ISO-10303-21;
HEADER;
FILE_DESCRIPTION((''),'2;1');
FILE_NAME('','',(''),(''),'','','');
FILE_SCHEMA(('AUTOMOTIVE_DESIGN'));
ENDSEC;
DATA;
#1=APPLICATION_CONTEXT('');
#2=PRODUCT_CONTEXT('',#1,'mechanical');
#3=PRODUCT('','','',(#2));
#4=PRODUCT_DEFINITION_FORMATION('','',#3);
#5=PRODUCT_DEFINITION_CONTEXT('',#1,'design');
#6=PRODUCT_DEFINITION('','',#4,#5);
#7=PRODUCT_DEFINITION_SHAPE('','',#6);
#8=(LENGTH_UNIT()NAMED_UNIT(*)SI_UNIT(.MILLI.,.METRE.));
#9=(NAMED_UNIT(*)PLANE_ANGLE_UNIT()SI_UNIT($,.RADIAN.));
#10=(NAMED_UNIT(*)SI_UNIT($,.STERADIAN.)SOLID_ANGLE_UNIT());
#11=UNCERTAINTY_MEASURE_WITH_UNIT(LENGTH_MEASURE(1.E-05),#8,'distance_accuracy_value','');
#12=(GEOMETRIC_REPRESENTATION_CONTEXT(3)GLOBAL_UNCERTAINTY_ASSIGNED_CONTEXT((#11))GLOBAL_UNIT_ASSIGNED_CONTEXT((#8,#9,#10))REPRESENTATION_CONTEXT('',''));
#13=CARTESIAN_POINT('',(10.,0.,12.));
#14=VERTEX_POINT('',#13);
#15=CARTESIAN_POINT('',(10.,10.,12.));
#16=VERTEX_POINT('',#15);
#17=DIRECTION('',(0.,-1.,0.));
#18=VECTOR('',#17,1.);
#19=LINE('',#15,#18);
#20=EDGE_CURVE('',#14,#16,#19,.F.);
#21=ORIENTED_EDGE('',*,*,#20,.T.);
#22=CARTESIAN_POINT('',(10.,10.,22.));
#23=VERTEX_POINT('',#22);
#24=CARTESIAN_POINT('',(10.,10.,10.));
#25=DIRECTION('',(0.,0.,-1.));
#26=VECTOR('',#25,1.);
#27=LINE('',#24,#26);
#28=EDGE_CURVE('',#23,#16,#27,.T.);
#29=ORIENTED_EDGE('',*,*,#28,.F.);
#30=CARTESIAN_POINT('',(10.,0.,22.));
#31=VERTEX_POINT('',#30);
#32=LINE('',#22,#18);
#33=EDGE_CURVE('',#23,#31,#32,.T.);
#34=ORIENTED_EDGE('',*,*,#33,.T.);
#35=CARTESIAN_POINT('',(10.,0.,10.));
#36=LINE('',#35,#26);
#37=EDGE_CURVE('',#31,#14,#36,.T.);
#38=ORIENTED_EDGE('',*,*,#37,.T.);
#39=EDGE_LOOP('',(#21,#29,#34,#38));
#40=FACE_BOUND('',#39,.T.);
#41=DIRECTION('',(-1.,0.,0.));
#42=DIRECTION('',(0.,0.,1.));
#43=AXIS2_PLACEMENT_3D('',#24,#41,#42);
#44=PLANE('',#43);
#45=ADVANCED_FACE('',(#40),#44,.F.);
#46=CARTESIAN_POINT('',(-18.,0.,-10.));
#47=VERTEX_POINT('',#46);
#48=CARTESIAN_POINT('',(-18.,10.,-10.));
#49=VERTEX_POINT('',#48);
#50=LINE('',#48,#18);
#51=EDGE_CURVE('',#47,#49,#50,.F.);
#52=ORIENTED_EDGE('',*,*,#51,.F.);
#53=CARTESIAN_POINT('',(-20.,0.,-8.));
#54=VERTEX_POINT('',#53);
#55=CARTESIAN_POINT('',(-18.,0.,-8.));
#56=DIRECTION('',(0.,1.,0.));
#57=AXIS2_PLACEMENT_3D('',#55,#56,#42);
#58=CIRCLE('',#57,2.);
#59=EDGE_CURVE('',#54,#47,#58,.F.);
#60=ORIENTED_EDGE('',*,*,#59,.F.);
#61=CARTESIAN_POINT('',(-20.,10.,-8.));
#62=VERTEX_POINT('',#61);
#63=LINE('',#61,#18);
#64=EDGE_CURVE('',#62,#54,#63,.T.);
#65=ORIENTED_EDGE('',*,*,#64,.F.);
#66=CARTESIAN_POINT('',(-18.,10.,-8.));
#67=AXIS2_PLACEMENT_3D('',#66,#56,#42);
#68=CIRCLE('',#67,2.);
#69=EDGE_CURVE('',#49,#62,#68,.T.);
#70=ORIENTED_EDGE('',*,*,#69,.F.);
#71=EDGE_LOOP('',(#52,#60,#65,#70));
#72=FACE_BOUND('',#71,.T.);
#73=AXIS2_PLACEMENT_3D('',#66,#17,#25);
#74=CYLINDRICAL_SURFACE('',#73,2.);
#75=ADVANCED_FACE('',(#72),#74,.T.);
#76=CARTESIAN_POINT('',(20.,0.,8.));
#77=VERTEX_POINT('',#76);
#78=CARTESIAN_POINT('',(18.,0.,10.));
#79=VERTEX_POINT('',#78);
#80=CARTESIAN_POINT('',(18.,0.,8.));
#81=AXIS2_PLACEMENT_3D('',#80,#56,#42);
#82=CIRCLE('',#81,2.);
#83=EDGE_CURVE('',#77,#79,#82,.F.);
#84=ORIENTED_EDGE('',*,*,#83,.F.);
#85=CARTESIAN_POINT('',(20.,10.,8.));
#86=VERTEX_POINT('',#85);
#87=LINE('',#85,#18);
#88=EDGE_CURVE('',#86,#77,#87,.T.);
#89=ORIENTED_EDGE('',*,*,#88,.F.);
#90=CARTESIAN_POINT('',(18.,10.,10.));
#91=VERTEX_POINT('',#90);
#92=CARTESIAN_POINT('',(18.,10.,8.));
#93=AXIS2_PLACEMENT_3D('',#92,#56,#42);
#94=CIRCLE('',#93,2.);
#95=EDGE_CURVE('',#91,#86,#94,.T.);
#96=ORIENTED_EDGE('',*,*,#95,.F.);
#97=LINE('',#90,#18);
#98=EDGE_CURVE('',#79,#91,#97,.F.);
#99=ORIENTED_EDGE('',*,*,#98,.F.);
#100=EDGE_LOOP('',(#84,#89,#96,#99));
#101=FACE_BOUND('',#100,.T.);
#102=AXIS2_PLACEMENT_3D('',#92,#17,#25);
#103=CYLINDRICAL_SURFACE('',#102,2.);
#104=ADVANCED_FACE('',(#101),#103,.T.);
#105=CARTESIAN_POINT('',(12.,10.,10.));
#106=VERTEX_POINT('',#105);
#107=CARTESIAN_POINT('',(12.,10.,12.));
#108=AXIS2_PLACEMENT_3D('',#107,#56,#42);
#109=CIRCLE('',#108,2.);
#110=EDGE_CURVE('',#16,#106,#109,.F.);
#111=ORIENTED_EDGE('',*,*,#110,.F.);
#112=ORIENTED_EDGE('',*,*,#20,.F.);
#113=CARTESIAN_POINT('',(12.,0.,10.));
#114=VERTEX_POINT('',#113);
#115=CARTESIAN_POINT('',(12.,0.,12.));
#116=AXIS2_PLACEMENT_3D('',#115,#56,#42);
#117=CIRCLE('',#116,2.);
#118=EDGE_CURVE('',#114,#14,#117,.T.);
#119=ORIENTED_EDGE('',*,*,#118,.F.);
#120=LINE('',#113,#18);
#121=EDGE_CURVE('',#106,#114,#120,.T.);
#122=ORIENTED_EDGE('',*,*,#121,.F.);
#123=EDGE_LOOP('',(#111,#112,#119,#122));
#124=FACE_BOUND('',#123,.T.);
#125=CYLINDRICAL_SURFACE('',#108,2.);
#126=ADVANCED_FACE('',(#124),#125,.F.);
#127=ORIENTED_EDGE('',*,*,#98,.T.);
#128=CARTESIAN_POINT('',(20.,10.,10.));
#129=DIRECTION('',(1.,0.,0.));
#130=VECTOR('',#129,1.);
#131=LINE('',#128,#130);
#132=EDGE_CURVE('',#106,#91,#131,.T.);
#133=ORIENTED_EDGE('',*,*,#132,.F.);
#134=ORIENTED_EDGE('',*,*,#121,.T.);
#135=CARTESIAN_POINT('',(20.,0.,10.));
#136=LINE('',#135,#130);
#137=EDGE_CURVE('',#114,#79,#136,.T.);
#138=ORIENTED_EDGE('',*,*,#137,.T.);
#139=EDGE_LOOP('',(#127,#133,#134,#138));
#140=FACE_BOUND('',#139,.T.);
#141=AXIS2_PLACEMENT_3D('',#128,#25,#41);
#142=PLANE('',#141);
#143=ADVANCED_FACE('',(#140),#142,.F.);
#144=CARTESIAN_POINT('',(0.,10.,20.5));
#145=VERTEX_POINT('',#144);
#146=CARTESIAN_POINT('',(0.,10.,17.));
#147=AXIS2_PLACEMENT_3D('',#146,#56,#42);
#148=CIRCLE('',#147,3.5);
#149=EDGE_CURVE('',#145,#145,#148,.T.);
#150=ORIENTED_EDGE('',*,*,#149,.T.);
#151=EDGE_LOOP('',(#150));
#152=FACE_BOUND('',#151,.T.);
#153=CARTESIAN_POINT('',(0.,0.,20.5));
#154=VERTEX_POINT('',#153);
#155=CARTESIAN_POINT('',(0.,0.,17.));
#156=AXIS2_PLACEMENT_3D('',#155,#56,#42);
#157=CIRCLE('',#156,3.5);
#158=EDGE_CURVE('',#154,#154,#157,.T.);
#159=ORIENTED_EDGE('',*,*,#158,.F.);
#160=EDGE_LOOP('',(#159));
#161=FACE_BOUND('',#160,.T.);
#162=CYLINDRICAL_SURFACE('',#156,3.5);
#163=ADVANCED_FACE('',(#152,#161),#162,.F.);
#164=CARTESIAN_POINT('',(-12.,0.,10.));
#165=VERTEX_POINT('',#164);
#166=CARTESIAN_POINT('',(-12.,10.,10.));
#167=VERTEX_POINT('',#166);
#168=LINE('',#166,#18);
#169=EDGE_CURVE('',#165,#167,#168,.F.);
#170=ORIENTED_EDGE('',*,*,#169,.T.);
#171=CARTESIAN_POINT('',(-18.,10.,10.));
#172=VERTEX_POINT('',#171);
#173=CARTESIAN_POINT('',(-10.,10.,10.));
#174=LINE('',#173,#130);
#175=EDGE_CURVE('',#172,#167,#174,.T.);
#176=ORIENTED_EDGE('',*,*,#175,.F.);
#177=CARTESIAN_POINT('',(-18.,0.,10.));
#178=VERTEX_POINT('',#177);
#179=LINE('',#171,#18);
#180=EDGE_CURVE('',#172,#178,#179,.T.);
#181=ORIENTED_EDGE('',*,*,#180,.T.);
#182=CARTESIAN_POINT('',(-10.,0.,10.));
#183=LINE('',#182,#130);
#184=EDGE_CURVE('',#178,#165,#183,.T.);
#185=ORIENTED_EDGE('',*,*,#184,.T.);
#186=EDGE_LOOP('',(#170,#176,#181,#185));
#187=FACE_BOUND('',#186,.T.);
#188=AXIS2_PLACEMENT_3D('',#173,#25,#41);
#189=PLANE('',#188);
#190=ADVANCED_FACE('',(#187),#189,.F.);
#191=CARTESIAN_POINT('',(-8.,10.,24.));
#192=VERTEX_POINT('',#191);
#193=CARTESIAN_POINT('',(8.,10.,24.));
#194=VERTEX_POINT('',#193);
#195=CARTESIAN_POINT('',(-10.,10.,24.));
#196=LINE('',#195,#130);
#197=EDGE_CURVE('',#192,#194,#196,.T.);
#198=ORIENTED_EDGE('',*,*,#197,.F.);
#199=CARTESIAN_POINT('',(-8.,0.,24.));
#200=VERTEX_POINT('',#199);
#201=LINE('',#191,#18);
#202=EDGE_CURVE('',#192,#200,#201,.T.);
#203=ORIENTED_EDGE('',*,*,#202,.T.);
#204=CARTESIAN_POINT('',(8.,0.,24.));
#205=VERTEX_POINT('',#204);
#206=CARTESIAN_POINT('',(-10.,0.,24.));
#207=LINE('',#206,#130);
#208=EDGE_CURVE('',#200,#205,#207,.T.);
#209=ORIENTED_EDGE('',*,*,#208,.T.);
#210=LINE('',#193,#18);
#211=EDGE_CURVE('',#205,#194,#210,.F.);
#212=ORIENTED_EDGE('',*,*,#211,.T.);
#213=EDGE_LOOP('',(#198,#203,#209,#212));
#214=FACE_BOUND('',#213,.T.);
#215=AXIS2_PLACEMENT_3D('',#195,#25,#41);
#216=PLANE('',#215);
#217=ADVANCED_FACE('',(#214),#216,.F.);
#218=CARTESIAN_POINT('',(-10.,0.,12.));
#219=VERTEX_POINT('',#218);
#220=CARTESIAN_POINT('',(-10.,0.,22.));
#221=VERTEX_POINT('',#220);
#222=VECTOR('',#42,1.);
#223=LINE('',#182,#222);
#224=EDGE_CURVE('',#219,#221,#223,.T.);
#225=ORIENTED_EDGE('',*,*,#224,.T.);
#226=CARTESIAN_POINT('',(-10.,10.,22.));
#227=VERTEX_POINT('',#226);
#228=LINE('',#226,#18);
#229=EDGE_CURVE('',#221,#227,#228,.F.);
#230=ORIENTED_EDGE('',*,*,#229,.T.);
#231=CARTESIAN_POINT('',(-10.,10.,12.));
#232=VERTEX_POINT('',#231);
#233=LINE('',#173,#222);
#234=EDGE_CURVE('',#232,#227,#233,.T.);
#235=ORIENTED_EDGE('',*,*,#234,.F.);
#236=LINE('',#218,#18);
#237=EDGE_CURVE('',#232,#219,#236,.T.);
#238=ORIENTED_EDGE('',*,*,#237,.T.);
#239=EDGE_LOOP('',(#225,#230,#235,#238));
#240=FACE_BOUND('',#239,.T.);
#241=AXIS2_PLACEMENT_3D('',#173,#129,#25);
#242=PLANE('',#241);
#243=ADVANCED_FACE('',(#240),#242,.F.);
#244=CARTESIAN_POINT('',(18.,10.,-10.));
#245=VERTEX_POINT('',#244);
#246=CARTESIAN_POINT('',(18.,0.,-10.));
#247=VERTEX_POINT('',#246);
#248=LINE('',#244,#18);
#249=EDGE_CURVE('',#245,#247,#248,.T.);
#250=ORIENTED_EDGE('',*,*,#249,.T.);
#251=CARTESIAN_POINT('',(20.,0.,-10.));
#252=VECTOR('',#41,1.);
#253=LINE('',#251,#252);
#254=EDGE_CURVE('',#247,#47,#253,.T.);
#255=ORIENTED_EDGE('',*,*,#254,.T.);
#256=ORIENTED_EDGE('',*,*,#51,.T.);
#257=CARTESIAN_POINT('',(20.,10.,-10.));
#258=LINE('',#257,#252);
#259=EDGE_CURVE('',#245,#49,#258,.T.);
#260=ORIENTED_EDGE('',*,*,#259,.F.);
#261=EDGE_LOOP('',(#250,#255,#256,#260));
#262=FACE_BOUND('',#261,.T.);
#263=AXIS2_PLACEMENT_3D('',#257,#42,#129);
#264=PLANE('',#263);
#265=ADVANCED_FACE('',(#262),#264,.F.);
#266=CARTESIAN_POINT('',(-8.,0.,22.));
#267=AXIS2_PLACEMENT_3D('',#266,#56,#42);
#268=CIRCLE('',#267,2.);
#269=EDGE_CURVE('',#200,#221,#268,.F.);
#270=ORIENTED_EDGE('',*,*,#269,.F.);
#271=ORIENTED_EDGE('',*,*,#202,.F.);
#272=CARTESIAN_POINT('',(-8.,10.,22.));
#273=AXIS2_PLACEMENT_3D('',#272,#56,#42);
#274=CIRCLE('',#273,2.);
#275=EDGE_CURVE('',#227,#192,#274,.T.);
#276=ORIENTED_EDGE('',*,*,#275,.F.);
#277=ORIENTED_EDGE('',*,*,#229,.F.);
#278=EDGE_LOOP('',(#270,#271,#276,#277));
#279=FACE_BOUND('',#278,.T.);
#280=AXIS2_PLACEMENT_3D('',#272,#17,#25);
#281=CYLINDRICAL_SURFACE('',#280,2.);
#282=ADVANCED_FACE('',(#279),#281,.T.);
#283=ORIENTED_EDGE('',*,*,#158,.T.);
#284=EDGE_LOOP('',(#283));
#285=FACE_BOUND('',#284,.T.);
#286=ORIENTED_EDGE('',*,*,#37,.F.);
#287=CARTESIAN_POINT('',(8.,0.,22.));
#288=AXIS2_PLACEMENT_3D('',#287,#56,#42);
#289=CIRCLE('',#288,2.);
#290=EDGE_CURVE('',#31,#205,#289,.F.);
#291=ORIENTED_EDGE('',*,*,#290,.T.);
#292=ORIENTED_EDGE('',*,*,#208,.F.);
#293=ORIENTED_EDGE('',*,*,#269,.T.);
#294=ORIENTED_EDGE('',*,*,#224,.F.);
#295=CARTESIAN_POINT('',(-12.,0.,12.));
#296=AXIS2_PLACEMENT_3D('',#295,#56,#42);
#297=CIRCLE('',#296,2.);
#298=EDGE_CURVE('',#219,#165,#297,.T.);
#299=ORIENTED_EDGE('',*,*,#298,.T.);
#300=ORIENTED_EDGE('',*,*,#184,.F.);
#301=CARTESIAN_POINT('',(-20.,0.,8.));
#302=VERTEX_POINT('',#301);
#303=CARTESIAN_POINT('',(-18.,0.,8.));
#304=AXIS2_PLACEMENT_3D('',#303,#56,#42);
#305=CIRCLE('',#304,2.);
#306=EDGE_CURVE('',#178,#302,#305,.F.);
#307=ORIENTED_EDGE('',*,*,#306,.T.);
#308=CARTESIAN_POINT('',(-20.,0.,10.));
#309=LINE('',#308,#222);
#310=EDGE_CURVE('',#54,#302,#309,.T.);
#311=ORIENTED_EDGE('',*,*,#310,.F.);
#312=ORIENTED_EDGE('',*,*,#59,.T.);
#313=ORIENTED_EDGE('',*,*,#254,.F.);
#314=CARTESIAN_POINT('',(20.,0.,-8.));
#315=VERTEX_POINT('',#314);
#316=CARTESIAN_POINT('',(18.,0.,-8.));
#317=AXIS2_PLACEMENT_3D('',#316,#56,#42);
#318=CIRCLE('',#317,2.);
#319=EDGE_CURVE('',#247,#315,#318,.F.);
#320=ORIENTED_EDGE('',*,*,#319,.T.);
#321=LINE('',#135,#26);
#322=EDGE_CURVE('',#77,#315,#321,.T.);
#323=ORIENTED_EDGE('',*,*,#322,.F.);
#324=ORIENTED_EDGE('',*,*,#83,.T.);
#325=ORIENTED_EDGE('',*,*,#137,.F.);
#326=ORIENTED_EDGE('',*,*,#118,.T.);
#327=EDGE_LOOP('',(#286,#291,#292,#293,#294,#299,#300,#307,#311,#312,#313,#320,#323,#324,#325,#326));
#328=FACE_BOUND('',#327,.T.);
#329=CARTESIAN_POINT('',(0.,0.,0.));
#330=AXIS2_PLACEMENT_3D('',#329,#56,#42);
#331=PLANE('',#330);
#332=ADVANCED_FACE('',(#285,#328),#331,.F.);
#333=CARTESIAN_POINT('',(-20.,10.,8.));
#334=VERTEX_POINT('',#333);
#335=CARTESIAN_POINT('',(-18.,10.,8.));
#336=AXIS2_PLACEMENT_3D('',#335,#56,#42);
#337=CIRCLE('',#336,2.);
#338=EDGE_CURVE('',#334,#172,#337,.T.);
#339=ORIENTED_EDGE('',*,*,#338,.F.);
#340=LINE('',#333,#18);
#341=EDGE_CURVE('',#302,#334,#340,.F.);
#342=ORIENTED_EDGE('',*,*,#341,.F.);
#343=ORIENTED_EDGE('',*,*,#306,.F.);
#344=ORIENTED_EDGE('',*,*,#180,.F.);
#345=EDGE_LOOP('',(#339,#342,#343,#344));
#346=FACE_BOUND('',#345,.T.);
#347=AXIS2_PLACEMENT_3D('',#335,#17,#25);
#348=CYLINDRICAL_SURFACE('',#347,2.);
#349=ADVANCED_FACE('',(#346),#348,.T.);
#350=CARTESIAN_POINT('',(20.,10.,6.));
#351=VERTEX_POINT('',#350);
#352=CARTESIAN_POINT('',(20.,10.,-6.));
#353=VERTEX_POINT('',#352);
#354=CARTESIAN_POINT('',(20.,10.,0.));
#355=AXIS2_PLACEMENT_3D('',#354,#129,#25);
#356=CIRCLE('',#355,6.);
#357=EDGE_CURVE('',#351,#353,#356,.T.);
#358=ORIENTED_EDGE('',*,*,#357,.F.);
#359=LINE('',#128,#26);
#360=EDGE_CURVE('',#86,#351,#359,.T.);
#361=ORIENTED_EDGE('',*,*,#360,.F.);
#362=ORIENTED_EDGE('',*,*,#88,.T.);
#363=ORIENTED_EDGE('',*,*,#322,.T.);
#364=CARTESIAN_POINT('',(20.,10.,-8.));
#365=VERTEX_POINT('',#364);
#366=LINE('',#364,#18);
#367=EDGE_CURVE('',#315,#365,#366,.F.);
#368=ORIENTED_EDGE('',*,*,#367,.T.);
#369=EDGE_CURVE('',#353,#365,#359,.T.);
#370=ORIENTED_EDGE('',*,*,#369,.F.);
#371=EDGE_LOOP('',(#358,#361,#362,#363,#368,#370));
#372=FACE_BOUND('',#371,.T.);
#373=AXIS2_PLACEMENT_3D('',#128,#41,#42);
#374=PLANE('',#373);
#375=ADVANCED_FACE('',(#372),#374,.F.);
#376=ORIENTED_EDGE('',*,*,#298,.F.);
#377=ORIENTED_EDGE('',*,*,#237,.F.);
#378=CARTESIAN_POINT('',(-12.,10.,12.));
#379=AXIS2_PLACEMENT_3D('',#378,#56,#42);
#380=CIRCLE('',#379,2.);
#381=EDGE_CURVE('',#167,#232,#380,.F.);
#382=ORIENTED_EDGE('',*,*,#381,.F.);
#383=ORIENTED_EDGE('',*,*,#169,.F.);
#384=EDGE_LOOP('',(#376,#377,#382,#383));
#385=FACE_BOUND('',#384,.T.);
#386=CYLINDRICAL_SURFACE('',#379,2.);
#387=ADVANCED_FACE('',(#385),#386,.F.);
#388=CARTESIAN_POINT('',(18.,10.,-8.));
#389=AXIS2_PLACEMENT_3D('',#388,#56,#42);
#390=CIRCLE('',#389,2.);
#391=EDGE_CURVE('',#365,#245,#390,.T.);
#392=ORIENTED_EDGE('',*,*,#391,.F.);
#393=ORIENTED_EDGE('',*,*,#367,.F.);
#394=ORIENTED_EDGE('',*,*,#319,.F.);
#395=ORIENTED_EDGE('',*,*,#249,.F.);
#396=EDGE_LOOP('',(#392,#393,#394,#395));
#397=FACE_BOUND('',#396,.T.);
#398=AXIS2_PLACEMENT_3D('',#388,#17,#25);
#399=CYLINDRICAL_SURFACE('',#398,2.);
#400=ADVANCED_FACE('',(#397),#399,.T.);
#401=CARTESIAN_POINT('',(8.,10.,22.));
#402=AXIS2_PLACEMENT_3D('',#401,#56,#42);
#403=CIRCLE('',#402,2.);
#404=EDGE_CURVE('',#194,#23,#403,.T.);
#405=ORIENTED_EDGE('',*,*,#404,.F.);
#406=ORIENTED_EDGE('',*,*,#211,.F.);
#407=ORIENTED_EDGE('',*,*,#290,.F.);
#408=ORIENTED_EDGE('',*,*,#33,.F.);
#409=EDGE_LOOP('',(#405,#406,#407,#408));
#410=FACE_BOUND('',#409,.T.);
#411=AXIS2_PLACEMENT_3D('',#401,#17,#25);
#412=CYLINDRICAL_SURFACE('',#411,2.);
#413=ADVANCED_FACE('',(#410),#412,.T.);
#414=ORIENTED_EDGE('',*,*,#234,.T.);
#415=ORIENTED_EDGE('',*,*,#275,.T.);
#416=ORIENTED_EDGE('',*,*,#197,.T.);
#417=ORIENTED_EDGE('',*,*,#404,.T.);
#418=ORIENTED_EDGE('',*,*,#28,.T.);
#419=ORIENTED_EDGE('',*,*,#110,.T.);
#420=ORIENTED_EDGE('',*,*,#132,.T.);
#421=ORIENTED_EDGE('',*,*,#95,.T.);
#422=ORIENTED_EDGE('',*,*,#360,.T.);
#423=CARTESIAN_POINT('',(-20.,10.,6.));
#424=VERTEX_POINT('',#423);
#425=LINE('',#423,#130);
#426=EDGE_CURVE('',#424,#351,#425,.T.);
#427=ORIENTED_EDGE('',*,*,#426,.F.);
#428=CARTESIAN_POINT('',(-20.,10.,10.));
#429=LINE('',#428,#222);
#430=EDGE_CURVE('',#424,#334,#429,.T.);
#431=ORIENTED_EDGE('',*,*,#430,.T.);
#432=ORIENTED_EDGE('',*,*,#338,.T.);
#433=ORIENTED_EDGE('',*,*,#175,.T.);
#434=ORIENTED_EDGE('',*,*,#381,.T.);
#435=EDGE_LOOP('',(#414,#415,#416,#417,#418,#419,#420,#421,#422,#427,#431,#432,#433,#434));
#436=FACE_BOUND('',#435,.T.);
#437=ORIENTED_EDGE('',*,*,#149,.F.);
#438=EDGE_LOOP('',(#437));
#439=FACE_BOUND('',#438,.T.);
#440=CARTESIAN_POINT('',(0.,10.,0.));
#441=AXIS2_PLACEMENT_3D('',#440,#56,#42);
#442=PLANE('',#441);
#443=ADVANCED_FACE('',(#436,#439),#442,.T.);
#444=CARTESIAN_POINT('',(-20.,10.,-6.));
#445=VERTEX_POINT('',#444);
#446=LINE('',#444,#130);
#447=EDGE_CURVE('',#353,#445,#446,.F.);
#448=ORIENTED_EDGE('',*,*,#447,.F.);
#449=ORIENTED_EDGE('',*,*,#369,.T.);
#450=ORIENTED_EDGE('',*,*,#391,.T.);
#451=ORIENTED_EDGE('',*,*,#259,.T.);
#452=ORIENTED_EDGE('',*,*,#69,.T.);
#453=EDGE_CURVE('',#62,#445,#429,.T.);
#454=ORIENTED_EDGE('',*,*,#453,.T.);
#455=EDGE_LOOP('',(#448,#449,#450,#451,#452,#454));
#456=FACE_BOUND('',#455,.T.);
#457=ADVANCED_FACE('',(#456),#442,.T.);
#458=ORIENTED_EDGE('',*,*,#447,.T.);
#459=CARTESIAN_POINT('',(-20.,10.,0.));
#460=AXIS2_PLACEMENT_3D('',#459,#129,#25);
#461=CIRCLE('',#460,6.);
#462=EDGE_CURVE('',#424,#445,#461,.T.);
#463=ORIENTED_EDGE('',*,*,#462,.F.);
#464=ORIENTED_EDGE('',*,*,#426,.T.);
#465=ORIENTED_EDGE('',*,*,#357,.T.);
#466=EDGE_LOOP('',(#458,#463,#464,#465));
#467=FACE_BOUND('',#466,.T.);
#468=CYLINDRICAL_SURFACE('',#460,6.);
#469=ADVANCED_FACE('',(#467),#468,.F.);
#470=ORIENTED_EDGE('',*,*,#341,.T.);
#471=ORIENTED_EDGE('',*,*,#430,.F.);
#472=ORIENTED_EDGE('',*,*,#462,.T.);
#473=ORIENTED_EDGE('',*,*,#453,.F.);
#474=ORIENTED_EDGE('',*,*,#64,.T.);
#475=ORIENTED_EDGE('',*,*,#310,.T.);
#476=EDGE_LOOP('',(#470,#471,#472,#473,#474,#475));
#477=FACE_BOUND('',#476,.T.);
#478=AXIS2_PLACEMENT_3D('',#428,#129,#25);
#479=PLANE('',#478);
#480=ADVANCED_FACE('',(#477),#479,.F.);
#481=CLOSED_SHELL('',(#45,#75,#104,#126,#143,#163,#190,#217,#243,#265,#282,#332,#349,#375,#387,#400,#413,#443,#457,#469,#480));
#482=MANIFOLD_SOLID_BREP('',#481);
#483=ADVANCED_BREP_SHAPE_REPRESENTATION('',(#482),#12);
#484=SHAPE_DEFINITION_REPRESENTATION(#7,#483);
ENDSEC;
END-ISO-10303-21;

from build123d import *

# Parameters (mm, degrees)
BOSS_EXTRUDE1_DEPTH = 10
SKETCH2_R           = 3.5
CUT_EXTRUDE1_DEPTH  = 10
SKETCH3_R           = 6
CUT_EXTRUDE2_DEPTH  = 48.707441768
FILLET1_R           = 2


with BuildPart() as part:
    # Sketch1 → Boss-Extrude1 (new body)
    with BuildSketch(Plane(origin=(0, 0, 0), x_dir=(1, 0, 0), z_dir=(0, 1, 0))):
        Polygon((-10, -10), (-20, -10), (-20, 10), (20, 10), (20, -10), (10, -10), (10, -24), (-10, -24), align=None)
    extrude(amount=BOSS_EXTRUDE1_DEPTH)

    # Sketch2 → Cut-Extrude1 (cut)
    with BuildSketch(Plane(origin=(0, 10, 0), x_dir=(1, 0, 0), z_dir=(0, 1, 0))):
        with Locations(Location((0, -17, 0), (0, 0, 270))):
            Circle(SKETCH2_R)
    extrude(amount=-CUT_EXTRUDE1_DEPTH, mode=Mode.SUBTRACT)

    # Sketch3 → Cut-Extrude2 (cut, through all)
    with BuildSketch(Plane(origin=(20, 0, 0), x_dir=(0, 0, -1), z_dir=(1, 0, 0))):
        with Locations((0, 10)):
            Circle(SKETCH3_R)
    extrude(amount=-CUT_EXTRUDE2_DEPTH, mode=Mode.SUBTRACT)

    # Fillet1
    fillet1_edges = [part.edges().sort_by_distance(p)[0] for p in [
        (-20, 5, -10),
        (20, 5, -10),
        (20, 5, 10),
        (10, 5, 10),
        (10, 5, 24),
        (-10, 5, 24),
        (-10, 5, 10),
        (-20, 5, 10),
    ]]
    fillet(fillet1_edges, radius=FILLET1_R)


solid = part.part
